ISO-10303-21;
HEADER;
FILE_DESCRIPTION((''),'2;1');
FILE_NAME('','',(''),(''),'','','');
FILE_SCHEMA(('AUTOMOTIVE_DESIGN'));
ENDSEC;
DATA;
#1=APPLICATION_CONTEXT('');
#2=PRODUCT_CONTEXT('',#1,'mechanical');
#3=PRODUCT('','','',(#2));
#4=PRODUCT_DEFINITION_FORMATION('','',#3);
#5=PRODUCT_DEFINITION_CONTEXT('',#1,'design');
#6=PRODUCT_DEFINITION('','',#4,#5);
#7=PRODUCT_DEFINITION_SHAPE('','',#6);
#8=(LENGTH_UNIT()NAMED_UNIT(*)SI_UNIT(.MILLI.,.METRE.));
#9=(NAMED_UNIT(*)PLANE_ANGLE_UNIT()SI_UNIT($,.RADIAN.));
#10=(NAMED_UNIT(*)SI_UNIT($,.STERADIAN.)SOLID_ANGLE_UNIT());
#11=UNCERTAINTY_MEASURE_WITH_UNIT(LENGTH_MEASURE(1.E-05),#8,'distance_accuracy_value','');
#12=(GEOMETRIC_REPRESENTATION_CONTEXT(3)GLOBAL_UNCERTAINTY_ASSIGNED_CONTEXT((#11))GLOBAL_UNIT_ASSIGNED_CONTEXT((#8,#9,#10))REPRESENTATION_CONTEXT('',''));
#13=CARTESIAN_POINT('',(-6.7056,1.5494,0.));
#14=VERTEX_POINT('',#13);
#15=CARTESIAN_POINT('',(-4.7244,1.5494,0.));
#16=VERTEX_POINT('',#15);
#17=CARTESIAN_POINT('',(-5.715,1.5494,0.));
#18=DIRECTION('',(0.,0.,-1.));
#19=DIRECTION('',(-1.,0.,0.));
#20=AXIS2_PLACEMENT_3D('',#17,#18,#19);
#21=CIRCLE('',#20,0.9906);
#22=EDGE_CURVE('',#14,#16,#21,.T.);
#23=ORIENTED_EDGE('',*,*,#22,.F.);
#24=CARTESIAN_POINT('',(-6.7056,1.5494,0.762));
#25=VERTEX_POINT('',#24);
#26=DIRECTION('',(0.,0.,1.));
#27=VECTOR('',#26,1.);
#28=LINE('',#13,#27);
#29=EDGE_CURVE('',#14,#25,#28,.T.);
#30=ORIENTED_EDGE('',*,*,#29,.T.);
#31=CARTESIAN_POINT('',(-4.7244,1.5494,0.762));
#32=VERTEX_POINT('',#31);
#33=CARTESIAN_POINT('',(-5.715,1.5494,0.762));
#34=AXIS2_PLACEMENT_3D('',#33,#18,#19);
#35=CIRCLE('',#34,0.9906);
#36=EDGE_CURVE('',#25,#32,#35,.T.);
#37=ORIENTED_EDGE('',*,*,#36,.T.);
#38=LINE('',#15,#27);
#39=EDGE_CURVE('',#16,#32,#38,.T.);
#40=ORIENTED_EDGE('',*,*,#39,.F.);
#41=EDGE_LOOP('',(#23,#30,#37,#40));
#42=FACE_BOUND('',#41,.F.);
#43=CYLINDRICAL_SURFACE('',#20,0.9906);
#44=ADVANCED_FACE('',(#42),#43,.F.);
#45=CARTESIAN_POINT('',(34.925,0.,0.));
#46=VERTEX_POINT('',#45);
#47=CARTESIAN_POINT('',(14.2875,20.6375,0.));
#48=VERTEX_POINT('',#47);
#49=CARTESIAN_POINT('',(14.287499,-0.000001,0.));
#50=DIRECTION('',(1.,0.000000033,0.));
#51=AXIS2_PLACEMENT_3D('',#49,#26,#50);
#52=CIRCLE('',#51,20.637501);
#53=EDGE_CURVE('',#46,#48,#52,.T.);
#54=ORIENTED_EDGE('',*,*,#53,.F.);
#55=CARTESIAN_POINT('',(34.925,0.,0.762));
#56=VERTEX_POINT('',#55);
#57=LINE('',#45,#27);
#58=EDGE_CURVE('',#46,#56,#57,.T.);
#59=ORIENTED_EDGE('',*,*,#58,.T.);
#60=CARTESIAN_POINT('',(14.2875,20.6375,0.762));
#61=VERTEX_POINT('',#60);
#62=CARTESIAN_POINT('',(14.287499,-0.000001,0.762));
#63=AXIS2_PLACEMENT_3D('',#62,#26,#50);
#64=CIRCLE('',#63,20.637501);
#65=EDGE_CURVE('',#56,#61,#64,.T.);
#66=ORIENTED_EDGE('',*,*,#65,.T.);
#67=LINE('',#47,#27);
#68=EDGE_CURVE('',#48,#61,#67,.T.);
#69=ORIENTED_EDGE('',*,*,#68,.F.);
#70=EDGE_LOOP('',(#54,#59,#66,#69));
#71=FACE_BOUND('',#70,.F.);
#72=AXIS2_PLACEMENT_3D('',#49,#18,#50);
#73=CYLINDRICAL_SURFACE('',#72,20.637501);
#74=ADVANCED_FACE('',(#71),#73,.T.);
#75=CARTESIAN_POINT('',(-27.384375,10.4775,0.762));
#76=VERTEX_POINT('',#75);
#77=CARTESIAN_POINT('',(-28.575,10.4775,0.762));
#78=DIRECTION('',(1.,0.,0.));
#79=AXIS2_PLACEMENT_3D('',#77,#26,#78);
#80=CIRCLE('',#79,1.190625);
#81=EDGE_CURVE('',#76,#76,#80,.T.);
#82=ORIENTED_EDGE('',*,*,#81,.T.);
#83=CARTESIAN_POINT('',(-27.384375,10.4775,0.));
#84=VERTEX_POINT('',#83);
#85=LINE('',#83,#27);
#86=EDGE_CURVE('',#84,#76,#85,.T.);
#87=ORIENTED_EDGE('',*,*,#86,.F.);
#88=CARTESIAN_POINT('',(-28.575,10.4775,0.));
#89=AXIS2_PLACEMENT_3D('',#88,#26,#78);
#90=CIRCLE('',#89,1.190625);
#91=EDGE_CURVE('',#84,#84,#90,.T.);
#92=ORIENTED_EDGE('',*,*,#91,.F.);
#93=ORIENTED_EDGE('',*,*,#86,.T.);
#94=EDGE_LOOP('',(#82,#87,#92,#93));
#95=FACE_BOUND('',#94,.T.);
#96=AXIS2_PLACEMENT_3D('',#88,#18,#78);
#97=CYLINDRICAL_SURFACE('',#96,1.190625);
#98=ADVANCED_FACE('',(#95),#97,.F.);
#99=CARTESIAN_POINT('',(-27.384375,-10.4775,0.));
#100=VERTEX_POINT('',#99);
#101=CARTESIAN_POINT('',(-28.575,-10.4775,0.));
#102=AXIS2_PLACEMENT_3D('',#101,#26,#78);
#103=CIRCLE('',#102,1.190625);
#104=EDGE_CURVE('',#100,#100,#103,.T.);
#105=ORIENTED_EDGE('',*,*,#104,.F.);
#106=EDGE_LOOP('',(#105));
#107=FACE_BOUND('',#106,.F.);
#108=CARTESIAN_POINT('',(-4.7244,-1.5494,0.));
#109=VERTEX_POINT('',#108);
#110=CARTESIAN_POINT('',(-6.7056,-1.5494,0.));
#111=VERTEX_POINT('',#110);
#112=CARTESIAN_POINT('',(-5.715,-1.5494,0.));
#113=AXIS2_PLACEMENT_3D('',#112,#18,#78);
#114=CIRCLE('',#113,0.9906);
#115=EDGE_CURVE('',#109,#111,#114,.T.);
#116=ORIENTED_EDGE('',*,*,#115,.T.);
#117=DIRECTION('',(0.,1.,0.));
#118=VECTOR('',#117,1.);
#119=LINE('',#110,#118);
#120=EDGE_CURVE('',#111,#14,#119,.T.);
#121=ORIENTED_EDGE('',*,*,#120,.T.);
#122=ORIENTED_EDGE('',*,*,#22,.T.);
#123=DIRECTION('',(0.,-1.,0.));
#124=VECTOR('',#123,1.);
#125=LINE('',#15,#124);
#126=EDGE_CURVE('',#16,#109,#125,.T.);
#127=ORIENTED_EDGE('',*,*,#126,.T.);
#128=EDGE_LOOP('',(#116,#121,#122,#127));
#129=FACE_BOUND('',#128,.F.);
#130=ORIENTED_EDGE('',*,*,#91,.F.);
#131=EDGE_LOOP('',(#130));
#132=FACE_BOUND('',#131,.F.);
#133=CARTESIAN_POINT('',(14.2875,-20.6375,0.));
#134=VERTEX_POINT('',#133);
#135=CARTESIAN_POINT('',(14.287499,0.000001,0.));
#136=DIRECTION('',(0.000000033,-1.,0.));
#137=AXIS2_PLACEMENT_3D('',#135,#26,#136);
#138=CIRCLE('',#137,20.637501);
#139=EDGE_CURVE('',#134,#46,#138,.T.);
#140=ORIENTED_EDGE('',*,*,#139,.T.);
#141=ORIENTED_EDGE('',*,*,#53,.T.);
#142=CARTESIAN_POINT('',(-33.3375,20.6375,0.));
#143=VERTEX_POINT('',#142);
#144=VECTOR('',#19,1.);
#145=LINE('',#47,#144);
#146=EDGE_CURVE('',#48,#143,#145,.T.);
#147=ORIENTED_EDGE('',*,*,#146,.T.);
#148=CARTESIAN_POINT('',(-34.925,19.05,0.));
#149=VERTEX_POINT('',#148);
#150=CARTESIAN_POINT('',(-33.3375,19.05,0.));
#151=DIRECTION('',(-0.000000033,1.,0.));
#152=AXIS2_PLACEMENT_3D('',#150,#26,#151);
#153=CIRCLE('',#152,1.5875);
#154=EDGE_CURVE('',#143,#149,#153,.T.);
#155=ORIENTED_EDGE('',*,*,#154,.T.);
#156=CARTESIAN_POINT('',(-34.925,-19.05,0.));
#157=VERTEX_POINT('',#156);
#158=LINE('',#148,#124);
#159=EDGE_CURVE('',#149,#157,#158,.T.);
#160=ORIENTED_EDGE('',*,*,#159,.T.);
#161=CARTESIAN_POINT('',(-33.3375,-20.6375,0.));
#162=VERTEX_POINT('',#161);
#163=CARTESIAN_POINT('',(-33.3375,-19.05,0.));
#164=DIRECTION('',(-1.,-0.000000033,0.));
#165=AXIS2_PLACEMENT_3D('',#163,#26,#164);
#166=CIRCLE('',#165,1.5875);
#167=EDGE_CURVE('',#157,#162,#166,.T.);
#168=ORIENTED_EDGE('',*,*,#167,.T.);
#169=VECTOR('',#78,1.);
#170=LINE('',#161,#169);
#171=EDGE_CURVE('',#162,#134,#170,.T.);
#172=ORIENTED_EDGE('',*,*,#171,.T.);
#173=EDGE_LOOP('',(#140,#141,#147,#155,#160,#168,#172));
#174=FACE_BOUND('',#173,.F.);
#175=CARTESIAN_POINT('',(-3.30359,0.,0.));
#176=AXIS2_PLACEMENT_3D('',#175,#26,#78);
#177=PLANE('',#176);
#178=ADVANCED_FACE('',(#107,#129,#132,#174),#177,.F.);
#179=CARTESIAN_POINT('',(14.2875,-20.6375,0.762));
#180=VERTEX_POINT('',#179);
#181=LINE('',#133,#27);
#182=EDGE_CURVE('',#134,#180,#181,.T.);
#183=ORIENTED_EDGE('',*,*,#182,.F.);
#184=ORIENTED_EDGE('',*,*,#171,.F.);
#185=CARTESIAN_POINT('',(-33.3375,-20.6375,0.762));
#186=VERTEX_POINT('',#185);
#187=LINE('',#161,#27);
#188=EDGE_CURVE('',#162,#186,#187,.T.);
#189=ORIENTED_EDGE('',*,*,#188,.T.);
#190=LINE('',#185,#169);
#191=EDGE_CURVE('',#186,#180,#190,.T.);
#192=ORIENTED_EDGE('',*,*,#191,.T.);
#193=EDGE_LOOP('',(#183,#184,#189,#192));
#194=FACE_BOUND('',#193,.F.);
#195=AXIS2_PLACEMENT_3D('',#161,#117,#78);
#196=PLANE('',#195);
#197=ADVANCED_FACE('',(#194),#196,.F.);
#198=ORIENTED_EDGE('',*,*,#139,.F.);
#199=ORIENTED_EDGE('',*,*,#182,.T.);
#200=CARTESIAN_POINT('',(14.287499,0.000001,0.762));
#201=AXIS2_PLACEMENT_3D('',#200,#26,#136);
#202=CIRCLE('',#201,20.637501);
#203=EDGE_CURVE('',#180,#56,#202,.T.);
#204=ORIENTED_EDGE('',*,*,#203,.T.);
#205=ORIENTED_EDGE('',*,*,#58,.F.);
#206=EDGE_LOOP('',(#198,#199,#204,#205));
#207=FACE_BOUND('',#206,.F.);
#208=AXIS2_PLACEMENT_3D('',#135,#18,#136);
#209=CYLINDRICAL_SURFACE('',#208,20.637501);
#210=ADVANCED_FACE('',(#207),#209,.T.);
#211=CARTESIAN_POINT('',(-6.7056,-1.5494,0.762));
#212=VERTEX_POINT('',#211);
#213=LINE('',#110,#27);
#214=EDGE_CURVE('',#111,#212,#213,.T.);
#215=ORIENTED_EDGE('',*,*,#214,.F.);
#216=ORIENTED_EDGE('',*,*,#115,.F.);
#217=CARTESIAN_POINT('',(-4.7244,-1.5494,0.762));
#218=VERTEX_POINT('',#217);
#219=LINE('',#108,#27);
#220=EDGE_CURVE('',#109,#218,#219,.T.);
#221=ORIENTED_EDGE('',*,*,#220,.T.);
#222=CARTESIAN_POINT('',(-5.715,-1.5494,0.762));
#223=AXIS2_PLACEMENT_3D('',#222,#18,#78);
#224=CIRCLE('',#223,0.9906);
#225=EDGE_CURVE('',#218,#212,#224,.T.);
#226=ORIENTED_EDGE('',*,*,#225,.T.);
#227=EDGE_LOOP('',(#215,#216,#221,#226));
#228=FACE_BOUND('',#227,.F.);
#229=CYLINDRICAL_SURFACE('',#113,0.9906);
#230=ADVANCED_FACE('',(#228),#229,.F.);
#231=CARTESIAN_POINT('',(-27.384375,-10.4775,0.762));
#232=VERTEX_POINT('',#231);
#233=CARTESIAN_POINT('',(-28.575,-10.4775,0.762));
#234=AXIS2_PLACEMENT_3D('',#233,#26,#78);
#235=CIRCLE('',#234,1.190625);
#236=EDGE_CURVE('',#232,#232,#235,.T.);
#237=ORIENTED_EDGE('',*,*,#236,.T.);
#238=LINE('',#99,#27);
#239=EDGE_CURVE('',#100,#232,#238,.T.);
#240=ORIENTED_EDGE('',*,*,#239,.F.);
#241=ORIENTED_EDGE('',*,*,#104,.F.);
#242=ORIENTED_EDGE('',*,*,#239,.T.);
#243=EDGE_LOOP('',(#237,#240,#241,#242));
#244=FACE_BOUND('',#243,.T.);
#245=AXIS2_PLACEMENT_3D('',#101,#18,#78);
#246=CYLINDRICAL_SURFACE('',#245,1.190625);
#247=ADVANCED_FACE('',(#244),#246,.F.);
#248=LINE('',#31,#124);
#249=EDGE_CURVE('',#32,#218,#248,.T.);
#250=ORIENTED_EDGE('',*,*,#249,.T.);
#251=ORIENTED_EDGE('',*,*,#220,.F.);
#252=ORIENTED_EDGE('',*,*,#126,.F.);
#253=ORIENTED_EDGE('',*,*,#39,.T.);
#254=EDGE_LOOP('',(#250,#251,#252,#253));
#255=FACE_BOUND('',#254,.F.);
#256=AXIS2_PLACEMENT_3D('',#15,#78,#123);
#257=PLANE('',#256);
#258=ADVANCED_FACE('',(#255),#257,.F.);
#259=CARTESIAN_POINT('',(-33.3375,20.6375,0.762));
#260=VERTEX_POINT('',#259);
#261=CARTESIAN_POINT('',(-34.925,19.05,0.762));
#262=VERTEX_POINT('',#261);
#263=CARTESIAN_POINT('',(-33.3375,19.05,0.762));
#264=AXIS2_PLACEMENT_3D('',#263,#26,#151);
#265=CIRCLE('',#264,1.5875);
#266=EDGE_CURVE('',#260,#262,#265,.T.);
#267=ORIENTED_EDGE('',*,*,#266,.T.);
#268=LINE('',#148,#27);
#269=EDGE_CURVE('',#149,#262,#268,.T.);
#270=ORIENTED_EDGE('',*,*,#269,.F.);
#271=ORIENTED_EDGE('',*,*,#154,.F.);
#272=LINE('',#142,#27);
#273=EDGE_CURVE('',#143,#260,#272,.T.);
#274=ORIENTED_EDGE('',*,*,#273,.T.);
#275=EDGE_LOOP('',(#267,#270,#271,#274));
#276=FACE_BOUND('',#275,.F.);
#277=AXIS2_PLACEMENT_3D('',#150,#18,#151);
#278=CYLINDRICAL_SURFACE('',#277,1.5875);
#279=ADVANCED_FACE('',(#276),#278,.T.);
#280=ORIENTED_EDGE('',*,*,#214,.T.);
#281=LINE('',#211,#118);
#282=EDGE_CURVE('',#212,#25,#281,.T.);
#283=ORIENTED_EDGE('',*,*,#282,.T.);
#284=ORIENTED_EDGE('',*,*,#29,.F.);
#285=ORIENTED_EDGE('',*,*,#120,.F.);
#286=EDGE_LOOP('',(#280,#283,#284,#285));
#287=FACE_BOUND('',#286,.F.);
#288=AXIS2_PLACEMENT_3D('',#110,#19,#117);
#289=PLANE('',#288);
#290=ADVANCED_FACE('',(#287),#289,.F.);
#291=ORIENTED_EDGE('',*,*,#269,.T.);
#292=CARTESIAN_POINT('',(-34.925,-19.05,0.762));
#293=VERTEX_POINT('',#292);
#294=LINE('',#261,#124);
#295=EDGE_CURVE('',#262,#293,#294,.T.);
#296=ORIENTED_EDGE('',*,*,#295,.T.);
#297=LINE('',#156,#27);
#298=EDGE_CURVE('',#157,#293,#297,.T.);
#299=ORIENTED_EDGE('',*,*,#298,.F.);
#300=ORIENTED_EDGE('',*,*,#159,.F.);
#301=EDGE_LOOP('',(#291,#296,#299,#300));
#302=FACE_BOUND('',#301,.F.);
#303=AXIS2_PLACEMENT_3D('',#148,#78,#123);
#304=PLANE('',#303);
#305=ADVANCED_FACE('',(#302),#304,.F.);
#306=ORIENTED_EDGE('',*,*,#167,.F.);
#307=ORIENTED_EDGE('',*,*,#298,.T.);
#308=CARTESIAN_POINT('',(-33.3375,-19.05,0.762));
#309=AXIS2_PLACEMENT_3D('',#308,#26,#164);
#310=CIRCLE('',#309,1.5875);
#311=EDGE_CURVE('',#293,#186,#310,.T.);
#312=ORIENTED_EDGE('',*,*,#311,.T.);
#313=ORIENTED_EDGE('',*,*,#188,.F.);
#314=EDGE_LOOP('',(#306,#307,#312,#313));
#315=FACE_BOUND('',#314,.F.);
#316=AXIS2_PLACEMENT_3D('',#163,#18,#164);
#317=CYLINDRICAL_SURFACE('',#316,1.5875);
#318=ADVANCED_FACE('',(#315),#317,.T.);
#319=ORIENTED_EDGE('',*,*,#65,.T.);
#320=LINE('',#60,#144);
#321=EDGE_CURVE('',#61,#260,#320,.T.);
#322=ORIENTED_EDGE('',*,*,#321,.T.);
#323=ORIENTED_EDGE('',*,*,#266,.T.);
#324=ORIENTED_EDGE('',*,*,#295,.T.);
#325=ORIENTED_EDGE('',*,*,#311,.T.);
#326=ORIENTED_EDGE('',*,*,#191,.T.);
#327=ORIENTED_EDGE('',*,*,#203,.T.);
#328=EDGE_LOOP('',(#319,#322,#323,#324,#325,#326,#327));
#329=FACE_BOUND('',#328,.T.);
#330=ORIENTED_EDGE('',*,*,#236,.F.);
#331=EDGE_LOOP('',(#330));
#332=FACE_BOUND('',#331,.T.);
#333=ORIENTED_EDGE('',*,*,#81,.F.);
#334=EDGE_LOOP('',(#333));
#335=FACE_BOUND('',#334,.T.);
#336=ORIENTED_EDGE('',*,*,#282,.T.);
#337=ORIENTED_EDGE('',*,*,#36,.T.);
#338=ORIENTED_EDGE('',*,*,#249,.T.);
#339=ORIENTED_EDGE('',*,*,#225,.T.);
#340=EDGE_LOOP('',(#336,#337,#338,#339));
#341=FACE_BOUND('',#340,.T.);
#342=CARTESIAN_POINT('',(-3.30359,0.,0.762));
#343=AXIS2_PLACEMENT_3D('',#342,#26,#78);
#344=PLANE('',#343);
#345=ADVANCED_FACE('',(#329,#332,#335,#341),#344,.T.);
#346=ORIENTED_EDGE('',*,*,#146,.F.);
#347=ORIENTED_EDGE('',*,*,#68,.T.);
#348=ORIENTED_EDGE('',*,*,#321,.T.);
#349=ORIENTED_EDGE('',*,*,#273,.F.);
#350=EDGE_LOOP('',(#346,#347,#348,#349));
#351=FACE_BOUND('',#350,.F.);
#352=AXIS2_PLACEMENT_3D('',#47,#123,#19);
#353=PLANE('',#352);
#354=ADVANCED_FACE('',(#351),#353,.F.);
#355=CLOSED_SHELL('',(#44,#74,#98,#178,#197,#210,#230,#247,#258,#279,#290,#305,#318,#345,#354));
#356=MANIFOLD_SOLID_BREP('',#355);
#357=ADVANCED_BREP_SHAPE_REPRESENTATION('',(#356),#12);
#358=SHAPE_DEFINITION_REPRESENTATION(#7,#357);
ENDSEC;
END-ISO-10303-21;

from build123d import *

# Parameters (mm, degrees)
F0_R     = 1.190625
F1_DEPTH = 0.762


with BuildPart() as f1:
    # F0 (on Top) → F1 (new body)
    with BuildSketch(Plane.XY):
        with BuildLine():
            Line((-33.3375, -20.6375), (14.2875, -20.6375))
            ThreePointArc((14.2875, -20.6375), (28.880416, -14.592916), (34.925, 0))
            ThreePointArc((34.925, 0), (28.880416, 14.592916), (14.2875, 20.6375))
            Line((14.2875, 20.6375), (-33.3375, 20.6375))
            ThreePointArc((-33.3375, 20.6375), (-34.460032, 20.172532), (-34.925, 19.05))
            Line((-34.925, 19.05), (-34.925, -19.05))
            ThreePointArc((-34.925, -19.05), (-34.460032, -20.172532), (-33.3375, -20.6375))
        make_face()
        with Locations((-28.575, -10.4775)):
            Circle(F0_R, mode=Mode.SUBTRACT)
        with BuildLine():
            Line((-4.7244, 1.5494), (-4.7244, -1.5494))
            ThreePointArc((-4.7244, -1.5494), (-5.715, -2.54), (-6.7056, -1.5494))
            Line((-6.7056, -1.5494), (-6.7056, 1.5494))
            ThreePointArc((-6.7056, 1.5494), (-5.715, 2.54), (-4.7244, 1.5494))
        make_face(mode=Mode.SUBTRACT)
        with Locations((-28.575, 10.4775)):
            Circle(F0_R, mode=Mode.SUBTRACT)
    extrude(amount=F1_DEPTH)


solid = f1.part
